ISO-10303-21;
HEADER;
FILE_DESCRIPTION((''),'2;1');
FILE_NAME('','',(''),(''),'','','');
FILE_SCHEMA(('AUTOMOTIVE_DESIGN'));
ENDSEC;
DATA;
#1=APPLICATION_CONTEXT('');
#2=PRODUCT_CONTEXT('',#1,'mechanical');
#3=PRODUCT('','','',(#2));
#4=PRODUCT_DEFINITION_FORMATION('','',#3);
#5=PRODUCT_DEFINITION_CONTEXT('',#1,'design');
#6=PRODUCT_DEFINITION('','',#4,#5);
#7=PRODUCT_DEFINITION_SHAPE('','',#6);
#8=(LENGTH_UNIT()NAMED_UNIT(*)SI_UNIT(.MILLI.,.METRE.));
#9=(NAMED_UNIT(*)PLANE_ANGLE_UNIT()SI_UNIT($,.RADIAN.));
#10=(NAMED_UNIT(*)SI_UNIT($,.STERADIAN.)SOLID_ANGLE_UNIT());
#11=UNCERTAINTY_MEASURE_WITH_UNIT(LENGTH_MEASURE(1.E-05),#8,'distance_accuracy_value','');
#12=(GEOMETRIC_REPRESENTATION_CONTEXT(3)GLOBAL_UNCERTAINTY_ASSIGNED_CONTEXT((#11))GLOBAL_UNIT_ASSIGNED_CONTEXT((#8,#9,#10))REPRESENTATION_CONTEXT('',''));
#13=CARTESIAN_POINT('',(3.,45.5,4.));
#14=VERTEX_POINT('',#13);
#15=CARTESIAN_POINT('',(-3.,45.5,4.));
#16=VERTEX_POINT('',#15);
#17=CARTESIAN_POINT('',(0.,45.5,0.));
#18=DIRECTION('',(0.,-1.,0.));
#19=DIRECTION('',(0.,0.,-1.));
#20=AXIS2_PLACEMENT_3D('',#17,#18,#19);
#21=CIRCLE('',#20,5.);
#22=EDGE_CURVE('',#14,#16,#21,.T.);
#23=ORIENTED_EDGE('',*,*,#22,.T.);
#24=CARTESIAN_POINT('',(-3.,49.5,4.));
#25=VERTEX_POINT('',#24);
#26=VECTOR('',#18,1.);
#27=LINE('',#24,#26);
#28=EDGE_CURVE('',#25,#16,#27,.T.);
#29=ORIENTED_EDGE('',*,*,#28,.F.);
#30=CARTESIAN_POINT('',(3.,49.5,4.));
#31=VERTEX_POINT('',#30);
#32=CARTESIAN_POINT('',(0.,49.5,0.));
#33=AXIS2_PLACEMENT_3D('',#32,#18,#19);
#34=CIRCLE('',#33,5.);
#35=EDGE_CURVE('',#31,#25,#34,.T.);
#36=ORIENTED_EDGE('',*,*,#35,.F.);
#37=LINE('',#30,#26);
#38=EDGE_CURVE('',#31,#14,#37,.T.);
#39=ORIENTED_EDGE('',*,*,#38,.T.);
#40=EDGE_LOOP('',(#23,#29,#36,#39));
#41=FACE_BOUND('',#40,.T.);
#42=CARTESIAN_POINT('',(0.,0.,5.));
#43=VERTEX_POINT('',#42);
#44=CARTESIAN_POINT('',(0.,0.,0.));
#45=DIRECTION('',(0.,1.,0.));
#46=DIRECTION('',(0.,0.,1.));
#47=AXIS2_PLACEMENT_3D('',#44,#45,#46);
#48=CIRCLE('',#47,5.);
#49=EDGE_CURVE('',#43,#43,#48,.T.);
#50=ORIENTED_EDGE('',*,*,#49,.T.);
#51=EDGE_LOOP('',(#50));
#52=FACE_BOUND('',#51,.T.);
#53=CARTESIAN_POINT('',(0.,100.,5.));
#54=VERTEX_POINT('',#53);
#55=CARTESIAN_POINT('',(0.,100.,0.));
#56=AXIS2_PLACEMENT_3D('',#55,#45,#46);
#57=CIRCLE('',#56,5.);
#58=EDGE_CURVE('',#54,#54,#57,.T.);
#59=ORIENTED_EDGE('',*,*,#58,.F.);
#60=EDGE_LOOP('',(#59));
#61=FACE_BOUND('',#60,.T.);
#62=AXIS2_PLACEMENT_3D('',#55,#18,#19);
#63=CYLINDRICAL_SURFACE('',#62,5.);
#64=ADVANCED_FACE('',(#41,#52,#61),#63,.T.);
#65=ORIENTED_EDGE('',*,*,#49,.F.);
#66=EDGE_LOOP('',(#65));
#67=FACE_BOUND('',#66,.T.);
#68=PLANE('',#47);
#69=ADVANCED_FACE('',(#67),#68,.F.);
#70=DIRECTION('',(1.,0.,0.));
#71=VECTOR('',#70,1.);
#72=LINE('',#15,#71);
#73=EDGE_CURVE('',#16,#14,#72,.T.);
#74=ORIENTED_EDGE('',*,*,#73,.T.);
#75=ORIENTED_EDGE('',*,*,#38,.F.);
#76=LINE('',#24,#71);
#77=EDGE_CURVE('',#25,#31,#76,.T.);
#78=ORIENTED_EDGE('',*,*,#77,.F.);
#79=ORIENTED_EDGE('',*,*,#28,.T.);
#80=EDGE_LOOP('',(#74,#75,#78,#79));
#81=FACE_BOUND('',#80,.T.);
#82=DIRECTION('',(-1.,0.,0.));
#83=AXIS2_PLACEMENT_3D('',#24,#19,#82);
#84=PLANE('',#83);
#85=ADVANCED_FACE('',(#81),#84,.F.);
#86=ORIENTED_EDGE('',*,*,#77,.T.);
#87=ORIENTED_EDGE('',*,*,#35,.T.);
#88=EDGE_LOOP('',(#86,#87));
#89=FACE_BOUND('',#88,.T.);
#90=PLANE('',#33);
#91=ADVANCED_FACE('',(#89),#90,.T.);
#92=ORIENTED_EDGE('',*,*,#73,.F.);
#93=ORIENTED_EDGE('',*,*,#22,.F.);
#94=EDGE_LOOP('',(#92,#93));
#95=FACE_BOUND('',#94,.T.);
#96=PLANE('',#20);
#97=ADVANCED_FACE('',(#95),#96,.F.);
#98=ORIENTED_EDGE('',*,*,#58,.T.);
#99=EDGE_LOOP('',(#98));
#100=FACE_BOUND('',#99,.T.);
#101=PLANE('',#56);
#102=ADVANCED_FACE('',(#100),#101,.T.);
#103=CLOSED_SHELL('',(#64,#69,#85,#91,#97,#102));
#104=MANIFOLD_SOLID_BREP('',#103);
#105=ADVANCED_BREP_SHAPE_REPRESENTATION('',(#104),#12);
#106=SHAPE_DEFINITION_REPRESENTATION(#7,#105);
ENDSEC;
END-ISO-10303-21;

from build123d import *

# Parameters (mm, degrees)
SKETCH_1_R          = 5
EXTRUDE_1_DEPTH     = 100
CUT_EXTRUDE_START   = -45.5
CUT_EXTRUDE_1_DEPTH = 4


with BuildPart() as part:
    # Эскиз1 → Бобышка-Вытянуть1 (new body)
    with BuildSketch(Plane(origin=(0, 0, 0), x_dir=(1, 0, 0), z_dir=(0, 1, 0))):
        with Locations(Location((0, 0, 0), (0, 0, 270))):
            Circle(SKETCH_1_R)
    extrude(amount=EXTRUDE_1_DEPTH)

    # Эскиз2 → Вырез-Вытянуть1 (cut)
    with BuildSketch(Plane.XZ.offset(CUT_EXTRUDE_START)):
        with BuildLine():
            Line((-3, 4), (3, 4))
            ThreePointArc((3, 4), (0, 5), (-3, 4))
        make_face()
    extrude(amount=-CUT_EXTRUDE_1_DEPTH, mode=Mode.SUBTRACT)


solid = part.part
